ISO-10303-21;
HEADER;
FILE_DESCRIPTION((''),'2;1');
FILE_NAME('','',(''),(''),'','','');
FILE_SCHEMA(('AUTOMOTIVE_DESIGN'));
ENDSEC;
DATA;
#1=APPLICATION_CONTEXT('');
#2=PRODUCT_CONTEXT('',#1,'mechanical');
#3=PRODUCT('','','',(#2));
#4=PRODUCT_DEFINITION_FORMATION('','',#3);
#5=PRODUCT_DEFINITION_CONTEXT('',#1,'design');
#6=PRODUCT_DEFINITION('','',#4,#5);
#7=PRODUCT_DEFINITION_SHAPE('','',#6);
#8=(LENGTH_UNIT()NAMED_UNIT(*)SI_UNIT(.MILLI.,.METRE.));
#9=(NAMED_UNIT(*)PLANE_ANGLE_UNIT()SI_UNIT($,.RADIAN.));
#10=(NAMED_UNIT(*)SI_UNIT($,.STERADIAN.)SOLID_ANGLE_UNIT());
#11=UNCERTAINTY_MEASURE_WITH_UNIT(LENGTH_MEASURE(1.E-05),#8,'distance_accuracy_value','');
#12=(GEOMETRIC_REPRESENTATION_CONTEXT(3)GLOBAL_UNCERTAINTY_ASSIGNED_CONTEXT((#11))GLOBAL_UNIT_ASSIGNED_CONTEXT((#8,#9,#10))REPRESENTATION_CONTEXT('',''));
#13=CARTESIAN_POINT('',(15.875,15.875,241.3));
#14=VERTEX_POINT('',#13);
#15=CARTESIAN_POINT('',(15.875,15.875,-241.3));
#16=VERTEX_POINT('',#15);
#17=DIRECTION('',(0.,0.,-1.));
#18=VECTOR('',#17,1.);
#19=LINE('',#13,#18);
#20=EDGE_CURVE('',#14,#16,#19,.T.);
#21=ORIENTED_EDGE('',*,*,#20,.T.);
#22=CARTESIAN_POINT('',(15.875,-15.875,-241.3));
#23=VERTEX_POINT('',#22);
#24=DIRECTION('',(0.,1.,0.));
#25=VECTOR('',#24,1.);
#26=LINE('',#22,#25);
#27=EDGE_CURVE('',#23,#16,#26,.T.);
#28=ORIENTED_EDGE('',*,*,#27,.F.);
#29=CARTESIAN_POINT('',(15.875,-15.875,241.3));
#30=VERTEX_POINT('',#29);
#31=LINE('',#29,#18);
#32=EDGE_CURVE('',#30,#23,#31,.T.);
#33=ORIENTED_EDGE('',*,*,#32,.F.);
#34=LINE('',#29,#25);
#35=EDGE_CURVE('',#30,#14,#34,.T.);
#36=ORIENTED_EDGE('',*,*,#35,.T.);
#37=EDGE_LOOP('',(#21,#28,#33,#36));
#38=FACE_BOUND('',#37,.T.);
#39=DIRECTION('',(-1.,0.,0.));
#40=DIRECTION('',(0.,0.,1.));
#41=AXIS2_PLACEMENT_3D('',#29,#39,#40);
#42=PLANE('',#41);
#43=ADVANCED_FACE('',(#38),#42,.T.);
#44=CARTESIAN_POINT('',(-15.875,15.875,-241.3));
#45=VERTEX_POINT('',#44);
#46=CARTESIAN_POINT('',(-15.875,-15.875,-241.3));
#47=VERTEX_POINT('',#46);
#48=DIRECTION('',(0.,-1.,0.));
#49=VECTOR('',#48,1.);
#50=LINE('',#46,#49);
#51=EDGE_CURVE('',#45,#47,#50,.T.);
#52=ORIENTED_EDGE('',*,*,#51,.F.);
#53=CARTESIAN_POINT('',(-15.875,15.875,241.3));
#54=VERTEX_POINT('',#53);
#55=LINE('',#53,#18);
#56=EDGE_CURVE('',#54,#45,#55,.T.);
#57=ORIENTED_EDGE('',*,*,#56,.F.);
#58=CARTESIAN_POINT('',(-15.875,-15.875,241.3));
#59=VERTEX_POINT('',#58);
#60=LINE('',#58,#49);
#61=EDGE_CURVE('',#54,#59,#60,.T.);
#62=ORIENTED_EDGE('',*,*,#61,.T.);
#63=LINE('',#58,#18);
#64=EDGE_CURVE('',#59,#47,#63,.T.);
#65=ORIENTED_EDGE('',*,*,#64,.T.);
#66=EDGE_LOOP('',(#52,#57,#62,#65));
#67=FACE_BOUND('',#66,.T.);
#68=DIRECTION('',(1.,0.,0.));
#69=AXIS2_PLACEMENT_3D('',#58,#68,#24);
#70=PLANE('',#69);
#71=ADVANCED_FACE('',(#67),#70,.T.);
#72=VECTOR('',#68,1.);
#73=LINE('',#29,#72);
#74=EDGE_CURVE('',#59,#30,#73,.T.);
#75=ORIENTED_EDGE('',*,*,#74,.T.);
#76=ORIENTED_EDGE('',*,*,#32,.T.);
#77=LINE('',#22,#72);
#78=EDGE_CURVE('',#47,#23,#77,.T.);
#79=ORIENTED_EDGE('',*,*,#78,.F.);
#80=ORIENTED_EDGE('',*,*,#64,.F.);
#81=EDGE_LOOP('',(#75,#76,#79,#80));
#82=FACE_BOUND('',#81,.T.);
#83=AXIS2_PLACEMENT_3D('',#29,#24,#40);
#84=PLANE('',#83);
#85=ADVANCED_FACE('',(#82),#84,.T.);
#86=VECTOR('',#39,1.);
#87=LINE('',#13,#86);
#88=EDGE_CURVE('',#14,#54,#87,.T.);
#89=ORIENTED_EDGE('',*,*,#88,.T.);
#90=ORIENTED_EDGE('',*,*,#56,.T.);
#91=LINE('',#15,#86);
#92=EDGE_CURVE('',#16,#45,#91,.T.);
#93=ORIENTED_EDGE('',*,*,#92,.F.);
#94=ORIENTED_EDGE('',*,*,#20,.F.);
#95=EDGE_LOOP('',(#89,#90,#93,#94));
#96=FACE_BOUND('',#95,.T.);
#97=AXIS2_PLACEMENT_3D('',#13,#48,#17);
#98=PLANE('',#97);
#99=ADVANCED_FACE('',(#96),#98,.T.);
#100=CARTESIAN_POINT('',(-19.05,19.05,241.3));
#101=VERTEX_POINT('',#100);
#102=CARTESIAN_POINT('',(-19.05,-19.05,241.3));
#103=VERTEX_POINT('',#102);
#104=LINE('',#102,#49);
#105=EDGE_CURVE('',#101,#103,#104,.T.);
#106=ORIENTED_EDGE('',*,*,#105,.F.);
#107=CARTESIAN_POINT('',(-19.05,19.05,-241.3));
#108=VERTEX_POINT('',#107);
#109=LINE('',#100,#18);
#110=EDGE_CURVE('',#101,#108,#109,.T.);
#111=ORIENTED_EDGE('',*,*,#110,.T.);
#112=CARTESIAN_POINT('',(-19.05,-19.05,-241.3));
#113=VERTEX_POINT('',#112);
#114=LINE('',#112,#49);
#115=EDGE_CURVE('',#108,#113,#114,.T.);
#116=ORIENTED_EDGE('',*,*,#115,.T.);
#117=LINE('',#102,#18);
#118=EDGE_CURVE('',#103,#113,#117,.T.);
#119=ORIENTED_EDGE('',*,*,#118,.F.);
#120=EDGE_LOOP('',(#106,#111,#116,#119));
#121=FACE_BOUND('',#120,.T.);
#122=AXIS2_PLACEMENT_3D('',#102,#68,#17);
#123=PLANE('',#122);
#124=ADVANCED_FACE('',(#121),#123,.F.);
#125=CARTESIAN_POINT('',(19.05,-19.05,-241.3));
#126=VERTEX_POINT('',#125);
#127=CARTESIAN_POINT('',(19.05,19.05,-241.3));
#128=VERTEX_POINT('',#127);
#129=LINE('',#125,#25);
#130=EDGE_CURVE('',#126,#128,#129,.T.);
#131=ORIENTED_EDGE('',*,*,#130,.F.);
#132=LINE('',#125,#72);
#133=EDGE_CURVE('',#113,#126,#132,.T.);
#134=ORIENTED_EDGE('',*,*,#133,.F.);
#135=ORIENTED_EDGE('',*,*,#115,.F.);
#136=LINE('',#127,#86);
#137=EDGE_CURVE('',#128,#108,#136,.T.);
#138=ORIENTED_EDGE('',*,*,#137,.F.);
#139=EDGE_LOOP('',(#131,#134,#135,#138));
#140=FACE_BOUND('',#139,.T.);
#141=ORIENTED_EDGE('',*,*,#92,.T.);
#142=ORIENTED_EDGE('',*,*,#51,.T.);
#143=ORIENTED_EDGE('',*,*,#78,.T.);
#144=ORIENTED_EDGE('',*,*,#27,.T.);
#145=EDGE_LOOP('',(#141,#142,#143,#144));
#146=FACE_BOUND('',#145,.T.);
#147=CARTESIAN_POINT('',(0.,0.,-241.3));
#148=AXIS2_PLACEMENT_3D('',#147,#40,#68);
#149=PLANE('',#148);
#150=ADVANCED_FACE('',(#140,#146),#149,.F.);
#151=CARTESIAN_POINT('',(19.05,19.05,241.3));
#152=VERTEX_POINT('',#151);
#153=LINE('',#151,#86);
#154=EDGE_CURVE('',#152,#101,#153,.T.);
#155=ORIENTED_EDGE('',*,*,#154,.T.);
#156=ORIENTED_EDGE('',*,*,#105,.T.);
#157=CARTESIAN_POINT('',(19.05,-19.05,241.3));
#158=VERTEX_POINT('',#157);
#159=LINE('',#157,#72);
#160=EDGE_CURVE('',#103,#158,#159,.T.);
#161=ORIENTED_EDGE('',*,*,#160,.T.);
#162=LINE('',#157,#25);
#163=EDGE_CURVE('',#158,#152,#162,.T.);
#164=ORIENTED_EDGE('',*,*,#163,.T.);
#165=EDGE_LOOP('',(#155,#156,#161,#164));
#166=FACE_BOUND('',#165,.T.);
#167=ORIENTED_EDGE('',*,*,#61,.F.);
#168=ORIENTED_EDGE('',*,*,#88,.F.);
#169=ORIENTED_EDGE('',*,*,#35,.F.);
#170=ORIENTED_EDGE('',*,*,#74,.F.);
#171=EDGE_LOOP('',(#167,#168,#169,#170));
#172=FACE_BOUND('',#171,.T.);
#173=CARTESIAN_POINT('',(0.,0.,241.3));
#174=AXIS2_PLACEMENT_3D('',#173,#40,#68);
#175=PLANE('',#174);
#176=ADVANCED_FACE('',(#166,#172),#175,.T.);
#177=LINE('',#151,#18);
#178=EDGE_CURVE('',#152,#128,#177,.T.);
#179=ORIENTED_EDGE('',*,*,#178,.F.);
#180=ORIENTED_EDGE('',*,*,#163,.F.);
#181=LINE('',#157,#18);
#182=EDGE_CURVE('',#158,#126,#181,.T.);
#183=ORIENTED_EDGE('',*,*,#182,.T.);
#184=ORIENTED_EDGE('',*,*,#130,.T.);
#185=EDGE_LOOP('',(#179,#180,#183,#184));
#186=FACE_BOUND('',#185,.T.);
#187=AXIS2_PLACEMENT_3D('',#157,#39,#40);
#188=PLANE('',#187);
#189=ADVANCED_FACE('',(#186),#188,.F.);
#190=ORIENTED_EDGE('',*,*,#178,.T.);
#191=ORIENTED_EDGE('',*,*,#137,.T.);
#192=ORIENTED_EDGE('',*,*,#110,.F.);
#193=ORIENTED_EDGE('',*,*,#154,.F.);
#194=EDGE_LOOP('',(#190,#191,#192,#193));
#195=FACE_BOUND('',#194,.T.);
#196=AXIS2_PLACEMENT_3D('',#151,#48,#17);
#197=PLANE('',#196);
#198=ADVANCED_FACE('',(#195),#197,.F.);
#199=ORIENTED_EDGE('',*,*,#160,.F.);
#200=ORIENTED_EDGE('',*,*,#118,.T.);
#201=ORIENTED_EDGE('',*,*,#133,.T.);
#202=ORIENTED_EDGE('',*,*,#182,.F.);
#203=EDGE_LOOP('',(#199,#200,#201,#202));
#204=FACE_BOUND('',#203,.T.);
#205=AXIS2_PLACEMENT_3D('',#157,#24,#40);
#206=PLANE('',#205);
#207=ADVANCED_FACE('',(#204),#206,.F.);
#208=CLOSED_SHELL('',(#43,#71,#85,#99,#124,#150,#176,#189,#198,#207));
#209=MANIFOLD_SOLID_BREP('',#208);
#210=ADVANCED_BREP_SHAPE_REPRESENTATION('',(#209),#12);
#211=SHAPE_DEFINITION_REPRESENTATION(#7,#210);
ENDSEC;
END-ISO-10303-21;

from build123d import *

# Parameters (mm, degrees)
BOSS_EXTRUDE1_DEPTH      = 241.3
BOSS_EXTRUDE1_DEPTH_BACK = 241.3
SKETCH3_W                = 38.1
SKETCH3_H                = 38.1
SKETCH3_W_2              = 31.75
SKETCH3_H_2              = 31.75


with BuildPart() as part:
    # Sketch3 → Boss-Extrude1 (new, two sides: drawn at the far end of the back side and taken through both)
    with BuildSketch(Plane.XY.offset(-BOSS_EXTRUDE1_DEPTH_BACK)):
        Rectangle(SKETCH3_W, SKETCH3_H)
        Rectangle(SKETCH3_W_2, SKETCH3_H_2, mode=Mode.SUBTRACT)
    extrude(amount=BOSS_EXTRUDE1_DEPTH + BOSS_EXTRUDE1_DEPTH_BACK)


solid = part.part
